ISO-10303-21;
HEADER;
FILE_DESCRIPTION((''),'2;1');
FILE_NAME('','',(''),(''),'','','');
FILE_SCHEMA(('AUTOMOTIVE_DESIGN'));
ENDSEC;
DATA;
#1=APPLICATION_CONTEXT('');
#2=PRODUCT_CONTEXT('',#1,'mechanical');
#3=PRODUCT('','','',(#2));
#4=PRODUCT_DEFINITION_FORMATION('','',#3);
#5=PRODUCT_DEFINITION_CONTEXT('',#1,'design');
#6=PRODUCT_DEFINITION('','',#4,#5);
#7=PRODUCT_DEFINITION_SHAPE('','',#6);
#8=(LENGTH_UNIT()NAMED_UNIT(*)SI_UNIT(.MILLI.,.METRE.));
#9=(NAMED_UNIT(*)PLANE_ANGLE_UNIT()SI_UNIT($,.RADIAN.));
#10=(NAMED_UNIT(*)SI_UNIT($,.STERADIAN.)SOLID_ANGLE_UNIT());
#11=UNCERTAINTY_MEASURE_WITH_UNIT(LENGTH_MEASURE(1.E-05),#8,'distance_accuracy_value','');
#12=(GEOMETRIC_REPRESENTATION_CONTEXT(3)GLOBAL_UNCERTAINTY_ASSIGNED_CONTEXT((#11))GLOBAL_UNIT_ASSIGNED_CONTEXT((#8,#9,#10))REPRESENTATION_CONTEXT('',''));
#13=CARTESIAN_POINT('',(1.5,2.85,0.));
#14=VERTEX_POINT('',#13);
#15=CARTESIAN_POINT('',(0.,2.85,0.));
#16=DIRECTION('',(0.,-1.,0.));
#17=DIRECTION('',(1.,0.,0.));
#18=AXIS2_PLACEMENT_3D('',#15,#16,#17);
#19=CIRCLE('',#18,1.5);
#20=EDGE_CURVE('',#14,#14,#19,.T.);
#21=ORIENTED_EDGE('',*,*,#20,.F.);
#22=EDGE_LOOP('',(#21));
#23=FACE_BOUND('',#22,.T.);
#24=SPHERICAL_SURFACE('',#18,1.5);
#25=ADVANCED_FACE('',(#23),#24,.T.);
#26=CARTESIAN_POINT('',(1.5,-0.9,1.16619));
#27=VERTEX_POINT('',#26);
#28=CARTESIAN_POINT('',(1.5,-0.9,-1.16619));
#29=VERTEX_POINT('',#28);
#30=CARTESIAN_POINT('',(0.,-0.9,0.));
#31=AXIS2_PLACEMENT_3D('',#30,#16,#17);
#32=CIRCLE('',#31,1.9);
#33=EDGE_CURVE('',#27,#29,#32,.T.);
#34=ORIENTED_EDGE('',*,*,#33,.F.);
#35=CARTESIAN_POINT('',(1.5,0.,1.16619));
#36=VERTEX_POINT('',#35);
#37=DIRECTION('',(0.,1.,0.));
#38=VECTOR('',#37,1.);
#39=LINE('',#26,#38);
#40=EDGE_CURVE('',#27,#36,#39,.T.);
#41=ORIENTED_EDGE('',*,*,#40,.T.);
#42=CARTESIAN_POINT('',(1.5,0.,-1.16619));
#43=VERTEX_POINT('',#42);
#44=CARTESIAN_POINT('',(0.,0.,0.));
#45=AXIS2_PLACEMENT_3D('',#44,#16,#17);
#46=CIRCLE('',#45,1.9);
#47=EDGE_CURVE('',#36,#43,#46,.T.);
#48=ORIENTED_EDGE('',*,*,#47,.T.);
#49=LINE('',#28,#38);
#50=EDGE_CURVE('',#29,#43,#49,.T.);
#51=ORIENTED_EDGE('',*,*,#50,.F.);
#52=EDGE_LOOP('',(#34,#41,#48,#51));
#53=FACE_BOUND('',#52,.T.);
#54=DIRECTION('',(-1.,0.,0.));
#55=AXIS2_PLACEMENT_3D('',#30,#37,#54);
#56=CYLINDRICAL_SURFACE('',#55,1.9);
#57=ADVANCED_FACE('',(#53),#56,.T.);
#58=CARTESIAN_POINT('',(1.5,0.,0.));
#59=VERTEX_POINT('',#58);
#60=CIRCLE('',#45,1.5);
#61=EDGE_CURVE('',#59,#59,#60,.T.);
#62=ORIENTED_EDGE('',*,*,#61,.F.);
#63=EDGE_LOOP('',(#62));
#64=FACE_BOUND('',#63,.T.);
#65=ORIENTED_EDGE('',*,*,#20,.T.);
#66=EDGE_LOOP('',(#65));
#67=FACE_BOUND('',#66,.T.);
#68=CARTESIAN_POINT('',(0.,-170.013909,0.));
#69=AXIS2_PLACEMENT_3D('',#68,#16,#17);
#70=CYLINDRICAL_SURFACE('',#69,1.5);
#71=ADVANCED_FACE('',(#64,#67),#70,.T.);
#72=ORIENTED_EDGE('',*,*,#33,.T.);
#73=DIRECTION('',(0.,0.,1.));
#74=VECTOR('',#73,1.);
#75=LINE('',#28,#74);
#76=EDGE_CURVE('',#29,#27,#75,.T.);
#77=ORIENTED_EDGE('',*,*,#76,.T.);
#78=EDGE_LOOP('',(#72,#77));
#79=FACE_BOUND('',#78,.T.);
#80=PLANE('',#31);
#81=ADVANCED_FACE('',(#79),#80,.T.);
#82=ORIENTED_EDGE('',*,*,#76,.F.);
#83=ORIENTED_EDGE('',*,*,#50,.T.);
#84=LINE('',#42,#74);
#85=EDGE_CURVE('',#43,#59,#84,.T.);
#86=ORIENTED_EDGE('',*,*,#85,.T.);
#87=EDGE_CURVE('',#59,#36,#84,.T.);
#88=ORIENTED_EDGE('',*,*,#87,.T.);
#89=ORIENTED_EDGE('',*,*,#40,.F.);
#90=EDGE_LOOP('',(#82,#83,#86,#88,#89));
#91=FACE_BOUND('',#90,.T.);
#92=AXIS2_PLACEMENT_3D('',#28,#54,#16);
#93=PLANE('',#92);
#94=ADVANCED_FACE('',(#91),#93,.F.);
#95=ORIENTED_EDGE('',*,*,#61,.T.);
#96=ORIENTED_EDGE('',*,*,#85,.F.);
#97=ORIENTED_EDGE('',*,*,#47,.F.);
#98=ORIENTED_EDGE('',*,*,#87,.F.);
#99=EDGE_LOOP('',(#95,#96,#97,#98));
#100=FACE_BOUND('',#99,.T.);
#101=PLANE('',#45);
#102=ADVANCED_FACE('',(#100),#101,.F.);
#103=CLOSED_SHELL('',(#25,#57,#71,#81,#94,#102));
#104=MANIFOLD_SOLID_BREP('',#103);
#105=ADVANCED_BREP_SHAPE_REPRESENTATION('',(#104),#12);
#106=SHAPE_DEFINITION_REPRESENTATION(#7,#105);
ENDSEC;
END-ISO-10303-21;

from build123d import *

# Parameters (mm, degrees)
FLANGE_DEPTH = 0.9


with BuildPart() as part:
    # Body Profile → Body (revolve)
    with BuildSketch(Plane.XY):
        with BuildLine():
            Line((1.5, 2.85), (1.5, 0))
            Line((1.5, 0), (0, 0))
            Line((0, 0), (0, 4.35))
            ThreePointArc((0, 4.35), (1.060660172, 3.910660172), (1.5, 2.85))
        make_face()
    revolve(axis=Axis((0, -170.01390881, 0), (0, 1, 0)))

    # Flange Outline → Flange (add)
    with BuildSketch(Plane.XZ):
        with BuildLine():
            Line((1.5, -1.166190379), (1.5, 1.166190379))
            ThreePointArc((1.5, 1.166190379), (-1.9, 0), (1.5, -1.166190379))
        make_face()
    extrude(amount=FLANGE_DEPTH)


solid = part.part
